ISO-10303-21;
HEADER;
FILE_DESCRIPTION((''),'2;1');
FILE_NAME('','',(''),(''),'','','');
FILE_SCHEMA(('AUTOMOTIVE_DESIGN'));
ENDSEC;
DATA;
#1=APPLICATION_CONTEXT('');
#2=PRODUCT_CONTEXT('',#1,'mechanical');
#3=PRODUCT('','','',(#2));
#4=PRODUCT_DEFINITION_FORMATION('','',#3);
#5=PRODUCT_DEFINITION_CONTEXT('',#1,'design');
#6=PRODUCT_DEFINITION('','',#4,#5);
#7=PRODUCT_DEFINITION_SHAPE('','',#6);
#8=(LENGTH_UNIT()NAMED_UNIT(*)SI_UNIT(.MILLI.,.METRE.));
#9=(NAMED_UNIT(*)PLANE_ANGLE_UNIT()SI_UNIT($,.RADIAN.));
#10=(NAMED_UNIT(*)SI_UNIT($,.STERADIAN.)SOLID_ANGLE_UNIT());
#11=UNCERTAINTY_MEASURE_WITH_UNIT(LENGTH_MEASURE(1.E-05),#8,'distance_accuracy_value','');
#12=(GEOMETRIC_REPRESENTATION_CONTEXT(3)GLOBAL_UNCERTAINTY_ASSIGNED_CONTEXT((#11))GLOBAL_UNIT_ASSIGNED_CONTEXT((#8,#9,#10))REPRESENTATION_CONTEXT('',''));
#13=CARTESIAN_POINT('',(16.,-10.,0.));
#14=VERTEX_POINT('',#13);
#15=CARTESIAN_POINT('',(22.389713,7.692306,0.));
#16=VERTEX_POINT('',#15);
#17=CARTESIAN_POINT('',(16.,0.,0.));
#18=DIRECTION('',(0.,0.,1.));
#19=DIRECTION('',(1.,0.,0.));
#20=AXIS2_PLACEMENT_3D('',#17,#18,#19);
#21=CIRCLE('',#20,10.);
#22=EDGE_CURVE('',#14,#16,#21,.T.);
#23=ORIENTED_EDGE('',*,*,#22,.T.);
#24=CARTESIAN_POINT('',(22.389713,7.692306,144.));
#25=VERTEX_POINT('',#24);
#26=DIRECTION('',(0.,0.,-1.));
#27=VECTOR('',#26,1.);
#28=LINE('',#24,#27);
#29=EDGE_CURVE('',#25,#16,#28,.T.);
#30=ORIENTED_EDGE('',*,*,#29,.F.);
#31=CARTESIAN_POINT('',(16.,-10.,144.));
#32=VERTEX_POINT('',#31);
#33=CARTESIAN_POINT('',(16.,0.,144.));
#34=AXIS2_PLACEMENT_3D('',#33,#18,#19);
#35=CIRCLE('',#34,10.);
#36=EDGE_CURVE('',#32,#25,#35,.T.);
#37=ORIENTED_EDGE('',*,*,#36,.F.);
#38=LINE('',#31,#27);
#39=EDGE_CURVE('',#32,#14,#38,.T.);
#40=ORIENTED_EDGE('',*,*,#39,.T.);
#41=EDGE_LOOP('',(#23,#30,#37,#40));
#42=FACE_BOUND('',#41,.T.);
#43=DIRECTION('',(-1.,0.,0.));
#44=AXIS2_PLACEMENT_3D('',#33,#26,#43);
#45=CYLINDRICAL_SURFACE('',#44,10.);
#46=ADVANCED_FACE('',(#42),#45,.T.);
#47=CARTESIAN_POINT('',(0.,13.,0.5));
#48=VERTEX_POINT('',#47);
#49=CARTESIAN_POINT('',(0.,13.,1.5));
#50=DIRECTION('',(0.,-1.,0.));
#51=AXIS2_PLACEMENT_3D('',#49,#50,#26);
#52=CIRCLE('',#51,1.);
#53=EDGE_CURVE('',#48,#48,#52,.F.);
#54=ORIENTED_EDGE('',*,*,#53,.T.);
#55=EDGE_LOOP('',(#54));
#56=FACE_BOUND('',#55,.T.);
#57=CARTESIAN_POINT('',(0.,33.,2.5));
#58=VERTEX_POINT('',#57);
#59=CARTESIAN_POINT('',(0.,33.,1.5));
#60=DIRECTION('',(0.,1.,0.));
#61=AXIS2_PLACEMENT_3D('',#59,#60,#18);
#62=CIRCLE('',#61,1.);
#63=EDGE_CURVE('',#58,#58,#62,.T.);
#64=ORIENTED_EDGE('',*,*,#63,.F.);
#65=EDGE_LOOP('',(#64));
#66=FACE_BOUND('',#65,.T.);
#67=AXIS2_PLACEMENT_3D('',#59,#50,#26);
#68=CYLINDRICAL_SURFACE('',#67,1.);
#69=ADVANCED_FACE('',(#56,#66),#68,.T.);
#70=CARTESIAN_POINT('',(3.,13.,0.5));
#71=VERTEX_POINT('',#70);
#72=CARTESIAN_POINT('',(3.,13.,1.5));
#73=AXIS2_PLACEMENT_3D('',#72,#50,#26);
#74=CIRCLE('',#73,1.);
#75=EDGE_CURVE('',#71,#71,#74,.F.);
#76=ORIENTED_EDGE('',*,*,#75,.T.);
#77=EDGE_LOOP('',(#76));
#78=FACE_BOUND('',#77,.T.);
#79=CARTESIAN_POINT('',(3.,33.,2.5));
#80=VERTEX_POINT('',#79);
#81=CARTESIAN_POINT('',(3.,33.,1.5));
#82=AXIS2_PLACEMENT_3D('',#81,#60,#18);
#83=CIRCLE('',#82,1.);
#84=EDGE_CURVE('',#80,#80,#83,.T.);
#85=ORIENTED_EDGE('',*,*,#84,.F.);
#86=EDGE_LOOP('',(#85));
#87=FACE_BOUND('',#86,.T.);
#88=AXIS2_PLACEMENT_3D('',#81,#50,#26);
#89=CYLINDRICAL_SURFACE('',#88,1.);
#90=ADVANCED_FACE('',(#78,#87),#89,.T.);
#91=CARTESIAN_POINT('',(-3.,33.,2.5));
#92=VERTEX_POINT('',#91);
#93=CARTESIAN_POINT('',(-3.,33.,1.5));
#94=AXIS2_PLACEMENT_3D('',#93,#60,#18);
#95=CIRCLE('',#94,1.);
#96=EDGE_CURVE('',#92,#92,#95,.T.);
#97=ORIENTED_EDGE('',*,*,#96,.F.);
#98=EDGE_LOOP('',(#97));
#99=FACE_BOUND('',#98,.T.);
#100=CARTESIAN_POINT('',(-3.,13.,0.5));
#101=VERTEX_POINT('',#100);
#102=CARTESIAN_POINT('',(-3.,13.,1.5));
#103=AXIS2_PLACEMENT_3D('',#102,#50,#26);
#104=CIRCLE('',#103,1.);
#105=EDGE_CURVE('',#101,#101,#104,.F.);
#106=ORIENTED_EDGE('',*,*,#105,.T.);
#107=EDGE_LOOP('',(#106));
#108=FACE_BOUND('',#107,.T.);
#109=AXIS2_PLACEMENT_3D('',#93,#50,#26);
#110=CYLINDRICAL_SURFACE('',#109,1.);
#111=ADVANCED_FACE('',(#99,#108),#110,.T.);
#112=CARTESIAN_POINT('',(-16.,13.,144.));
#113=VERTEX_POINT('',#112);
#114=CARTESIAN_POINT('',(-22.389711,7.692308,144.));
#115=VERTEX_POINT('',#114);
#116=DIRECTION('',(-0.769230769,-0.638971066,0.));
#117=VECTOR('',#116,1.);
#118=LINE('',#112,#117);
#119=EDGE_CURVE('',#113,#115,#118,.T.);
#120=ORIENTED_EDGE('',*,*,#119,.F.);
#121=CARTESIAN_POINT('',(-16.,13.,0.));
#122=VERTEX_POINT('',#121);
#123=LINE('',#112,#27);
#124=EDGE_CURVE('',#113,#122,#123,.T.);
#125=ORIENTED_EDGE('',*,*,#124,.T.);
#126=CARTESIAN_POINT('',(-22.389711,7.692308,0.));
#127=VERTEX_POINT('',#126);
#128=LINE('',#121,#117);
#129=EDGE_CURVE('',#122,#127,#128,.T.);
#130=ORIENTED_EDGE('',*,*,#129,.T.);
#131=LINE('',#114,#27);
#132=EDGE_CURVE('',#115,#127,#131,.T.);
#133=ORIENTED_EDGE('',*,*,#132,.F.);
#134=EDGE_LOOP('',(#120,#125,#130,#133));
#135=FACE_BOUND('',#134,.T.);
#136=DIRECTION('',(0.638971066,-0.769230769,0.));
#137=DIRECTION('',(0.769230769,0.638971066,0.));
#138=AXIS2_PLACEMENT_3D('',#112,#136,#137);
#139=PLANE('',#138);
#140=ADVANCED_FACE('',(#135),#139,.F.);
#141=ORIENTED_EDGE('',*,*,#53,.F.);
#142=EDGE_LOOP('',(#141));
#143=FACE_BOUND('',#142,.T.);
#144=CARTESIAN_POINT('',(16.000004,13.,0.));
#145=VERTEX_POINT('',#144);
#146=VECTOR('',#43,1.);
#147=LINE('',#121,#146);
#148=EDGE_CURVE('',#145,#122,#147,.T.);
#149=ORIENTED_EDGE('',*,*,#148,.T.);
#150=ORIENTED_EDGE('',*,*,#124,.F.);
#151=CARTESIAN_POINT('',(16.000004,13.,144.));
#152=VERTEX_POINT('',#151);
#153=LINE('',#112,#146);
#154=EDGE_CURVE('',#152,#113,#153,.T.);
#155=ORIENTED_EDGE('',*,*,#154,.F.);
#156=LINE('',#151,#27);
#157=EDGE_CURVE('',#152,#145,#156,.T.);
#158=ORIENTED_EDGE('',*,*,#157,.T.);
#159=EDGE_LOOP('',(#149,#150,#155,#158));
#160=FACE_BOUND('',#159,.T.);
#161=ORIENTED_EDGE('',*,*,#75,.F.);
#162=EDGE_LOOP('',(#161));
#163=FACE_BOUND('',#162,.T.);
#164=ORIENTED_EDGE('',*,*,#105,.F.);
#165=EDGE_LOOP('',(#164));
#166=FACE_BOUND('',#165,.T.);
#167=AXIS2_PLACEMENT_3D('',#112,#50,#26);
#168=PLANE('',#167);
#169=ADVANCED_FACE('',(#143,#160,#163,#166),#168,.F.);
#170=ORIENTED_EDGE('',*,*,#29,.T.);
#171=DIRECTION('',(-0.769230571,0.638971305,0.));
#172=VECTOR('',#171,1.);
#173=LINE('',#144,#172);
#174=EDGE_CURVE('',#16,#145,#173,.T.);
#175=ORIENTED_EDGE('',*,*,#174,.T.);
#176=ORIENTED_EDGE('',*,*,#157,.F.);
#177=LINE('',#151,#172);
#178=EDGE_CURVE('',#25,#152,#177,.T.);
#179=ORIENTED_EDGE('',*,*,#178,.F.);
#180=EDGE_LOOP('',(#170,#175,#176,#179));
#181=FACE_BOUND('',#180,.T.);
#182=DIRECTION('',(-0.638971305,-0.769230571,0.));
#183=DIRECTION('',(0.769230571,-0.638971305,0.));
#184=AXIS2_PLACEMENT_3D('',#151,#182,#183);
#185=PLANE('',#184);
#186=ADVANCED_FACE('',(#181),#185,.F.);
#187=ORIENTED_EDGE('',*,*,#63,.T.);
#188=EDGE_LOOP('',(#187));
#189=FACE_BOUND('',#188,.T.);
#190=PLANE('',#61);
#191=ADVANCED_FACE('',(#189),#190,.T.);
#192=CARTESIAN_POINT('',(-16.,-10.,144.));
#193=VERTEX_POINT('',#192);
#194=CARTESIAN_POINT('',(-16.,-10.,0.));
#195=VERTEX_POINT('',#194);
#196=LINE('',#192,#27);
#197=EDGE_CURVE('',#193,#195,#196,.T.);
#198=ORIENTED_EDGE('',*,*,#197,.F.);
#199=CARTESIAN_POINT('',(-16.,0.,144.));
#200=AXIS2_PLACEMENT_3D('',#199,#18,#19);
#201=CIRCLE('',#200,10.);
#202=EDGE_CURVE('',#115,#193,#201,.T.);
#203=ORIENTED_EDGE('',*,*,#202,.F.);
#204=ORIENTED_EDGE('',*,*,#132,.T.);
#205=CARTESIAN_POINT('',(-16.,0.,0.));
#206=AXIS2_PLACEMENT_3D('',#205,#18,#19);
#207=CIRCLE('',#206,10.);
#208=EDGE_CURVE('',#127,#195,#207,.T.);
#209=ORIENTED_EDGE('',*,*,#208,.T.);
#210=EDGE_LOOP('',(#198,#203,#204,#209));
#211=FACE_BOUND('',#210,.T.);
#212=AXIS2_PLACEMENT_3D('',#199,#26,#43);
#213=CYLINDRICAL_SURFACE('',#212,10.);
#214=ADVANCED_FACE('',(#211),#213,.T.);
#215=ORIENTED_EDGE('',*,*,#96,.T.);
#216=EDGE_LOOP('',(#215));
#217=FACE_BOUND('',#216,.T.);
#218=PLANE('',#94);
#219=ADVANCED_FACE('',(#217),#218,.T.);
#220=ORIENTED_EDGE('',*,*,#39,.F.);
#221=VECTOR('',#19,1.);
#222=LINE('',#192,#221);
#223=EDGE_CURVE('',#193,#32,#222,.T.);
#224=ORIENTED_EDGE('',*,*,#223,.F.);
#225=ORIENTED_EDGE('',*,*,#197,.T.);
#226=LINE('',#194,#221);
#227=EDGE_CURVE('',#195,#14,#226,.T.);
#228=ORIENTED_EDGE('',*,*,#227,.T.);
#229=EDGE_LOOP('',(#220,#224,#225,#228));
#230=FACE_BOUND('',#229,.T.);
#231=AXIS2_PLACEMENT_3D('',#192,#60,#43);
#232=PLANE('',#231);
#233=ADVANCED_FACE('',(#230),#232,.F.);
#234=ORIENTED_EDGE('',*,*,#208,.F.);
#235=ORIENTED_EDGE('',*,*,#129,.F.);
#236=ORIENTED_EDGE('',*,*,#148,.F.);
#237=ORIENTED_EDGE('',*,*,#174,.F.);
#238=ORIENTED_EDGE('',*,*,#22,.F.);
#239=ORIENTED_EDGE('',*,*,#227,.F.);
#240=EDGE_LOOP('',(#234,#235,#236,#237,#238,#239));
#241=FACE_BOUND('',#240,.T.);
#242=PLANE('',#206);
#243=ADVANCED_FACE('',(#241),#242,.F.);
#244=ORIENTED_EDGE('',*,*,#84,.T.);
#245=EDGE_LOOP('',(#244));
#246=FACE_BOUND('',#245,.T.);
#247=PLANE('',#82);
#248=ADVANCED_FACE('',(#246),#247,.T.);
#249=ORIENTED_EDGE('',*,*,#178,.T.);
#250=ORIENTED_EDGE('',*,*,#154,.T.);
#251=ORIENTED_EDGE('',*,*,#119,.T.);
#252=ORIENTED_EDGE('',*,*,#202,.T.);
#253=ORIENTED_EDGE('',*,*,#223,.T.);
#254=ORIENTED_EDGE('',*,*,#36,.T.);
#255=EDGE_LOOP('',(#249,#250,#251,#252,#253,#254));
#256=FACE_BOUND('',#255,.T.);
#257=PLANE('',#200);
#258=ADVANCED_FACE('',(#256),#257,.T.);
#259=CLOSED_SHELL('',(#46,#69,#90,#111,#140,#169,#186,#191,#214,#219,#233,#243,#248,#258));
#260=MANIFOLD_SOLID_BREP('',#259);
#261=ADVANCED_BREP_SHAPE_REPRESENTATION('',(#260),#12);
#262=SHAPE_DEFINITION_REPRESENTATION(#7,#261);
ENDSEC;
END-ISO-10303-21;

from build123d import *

# Parameters (mm, degrees)
EXTRUDE_1_DEPTH = 144
SKETCH_2_R      = 1
EXTRUDE_2_DEPTH = 20


with BuildPart() as part:
    # 스케치1 → 보스-돌출1 (new body)
    with BuildSketch(Plane.XY):
        with BuildLine():
            Line((-16, -10), (16, -10))
            ThreePointArc((16, -10), (25.405398904, -3.396832561), (22.38971305, 7.69230571))
            Line((22.38971305, 7.69230571), (16.000004032, 13))
            Line((16.000004032, 13), (-16, 13))
            Line((-16, 13), (-22.389710664, 7.692307692))
            ThreePointArc((-22.389710664, 7.692307692), (-25.405399431, -3.396831102), (-16, -10))
        make_face()
    extrude(amount=EXTRUDE_1_DEPTH)

    # 스케치2 → 보스-돌출2 (add)
    with BuildSketch(Plane(origin=(0, 13, 0), x_dir=(1, 0, 0), z_dir=(0, 1, 0))):
        with Locations(Location((-3, -1.5, 0), (0, 0, 90))):
            Circle(SKETCH_2_R)
        with Locations(Location((0, -1.5, 0), (0, 0, 90))):
            Circle(SKETCH_2_R)
        with Locations(Location((3, -1.5, 0), (0, 0, 90))):
            Circle(SKETCH_2_R)
    extrude(amount=EXTRUDE_2_DEPTH)


solid = part.part
